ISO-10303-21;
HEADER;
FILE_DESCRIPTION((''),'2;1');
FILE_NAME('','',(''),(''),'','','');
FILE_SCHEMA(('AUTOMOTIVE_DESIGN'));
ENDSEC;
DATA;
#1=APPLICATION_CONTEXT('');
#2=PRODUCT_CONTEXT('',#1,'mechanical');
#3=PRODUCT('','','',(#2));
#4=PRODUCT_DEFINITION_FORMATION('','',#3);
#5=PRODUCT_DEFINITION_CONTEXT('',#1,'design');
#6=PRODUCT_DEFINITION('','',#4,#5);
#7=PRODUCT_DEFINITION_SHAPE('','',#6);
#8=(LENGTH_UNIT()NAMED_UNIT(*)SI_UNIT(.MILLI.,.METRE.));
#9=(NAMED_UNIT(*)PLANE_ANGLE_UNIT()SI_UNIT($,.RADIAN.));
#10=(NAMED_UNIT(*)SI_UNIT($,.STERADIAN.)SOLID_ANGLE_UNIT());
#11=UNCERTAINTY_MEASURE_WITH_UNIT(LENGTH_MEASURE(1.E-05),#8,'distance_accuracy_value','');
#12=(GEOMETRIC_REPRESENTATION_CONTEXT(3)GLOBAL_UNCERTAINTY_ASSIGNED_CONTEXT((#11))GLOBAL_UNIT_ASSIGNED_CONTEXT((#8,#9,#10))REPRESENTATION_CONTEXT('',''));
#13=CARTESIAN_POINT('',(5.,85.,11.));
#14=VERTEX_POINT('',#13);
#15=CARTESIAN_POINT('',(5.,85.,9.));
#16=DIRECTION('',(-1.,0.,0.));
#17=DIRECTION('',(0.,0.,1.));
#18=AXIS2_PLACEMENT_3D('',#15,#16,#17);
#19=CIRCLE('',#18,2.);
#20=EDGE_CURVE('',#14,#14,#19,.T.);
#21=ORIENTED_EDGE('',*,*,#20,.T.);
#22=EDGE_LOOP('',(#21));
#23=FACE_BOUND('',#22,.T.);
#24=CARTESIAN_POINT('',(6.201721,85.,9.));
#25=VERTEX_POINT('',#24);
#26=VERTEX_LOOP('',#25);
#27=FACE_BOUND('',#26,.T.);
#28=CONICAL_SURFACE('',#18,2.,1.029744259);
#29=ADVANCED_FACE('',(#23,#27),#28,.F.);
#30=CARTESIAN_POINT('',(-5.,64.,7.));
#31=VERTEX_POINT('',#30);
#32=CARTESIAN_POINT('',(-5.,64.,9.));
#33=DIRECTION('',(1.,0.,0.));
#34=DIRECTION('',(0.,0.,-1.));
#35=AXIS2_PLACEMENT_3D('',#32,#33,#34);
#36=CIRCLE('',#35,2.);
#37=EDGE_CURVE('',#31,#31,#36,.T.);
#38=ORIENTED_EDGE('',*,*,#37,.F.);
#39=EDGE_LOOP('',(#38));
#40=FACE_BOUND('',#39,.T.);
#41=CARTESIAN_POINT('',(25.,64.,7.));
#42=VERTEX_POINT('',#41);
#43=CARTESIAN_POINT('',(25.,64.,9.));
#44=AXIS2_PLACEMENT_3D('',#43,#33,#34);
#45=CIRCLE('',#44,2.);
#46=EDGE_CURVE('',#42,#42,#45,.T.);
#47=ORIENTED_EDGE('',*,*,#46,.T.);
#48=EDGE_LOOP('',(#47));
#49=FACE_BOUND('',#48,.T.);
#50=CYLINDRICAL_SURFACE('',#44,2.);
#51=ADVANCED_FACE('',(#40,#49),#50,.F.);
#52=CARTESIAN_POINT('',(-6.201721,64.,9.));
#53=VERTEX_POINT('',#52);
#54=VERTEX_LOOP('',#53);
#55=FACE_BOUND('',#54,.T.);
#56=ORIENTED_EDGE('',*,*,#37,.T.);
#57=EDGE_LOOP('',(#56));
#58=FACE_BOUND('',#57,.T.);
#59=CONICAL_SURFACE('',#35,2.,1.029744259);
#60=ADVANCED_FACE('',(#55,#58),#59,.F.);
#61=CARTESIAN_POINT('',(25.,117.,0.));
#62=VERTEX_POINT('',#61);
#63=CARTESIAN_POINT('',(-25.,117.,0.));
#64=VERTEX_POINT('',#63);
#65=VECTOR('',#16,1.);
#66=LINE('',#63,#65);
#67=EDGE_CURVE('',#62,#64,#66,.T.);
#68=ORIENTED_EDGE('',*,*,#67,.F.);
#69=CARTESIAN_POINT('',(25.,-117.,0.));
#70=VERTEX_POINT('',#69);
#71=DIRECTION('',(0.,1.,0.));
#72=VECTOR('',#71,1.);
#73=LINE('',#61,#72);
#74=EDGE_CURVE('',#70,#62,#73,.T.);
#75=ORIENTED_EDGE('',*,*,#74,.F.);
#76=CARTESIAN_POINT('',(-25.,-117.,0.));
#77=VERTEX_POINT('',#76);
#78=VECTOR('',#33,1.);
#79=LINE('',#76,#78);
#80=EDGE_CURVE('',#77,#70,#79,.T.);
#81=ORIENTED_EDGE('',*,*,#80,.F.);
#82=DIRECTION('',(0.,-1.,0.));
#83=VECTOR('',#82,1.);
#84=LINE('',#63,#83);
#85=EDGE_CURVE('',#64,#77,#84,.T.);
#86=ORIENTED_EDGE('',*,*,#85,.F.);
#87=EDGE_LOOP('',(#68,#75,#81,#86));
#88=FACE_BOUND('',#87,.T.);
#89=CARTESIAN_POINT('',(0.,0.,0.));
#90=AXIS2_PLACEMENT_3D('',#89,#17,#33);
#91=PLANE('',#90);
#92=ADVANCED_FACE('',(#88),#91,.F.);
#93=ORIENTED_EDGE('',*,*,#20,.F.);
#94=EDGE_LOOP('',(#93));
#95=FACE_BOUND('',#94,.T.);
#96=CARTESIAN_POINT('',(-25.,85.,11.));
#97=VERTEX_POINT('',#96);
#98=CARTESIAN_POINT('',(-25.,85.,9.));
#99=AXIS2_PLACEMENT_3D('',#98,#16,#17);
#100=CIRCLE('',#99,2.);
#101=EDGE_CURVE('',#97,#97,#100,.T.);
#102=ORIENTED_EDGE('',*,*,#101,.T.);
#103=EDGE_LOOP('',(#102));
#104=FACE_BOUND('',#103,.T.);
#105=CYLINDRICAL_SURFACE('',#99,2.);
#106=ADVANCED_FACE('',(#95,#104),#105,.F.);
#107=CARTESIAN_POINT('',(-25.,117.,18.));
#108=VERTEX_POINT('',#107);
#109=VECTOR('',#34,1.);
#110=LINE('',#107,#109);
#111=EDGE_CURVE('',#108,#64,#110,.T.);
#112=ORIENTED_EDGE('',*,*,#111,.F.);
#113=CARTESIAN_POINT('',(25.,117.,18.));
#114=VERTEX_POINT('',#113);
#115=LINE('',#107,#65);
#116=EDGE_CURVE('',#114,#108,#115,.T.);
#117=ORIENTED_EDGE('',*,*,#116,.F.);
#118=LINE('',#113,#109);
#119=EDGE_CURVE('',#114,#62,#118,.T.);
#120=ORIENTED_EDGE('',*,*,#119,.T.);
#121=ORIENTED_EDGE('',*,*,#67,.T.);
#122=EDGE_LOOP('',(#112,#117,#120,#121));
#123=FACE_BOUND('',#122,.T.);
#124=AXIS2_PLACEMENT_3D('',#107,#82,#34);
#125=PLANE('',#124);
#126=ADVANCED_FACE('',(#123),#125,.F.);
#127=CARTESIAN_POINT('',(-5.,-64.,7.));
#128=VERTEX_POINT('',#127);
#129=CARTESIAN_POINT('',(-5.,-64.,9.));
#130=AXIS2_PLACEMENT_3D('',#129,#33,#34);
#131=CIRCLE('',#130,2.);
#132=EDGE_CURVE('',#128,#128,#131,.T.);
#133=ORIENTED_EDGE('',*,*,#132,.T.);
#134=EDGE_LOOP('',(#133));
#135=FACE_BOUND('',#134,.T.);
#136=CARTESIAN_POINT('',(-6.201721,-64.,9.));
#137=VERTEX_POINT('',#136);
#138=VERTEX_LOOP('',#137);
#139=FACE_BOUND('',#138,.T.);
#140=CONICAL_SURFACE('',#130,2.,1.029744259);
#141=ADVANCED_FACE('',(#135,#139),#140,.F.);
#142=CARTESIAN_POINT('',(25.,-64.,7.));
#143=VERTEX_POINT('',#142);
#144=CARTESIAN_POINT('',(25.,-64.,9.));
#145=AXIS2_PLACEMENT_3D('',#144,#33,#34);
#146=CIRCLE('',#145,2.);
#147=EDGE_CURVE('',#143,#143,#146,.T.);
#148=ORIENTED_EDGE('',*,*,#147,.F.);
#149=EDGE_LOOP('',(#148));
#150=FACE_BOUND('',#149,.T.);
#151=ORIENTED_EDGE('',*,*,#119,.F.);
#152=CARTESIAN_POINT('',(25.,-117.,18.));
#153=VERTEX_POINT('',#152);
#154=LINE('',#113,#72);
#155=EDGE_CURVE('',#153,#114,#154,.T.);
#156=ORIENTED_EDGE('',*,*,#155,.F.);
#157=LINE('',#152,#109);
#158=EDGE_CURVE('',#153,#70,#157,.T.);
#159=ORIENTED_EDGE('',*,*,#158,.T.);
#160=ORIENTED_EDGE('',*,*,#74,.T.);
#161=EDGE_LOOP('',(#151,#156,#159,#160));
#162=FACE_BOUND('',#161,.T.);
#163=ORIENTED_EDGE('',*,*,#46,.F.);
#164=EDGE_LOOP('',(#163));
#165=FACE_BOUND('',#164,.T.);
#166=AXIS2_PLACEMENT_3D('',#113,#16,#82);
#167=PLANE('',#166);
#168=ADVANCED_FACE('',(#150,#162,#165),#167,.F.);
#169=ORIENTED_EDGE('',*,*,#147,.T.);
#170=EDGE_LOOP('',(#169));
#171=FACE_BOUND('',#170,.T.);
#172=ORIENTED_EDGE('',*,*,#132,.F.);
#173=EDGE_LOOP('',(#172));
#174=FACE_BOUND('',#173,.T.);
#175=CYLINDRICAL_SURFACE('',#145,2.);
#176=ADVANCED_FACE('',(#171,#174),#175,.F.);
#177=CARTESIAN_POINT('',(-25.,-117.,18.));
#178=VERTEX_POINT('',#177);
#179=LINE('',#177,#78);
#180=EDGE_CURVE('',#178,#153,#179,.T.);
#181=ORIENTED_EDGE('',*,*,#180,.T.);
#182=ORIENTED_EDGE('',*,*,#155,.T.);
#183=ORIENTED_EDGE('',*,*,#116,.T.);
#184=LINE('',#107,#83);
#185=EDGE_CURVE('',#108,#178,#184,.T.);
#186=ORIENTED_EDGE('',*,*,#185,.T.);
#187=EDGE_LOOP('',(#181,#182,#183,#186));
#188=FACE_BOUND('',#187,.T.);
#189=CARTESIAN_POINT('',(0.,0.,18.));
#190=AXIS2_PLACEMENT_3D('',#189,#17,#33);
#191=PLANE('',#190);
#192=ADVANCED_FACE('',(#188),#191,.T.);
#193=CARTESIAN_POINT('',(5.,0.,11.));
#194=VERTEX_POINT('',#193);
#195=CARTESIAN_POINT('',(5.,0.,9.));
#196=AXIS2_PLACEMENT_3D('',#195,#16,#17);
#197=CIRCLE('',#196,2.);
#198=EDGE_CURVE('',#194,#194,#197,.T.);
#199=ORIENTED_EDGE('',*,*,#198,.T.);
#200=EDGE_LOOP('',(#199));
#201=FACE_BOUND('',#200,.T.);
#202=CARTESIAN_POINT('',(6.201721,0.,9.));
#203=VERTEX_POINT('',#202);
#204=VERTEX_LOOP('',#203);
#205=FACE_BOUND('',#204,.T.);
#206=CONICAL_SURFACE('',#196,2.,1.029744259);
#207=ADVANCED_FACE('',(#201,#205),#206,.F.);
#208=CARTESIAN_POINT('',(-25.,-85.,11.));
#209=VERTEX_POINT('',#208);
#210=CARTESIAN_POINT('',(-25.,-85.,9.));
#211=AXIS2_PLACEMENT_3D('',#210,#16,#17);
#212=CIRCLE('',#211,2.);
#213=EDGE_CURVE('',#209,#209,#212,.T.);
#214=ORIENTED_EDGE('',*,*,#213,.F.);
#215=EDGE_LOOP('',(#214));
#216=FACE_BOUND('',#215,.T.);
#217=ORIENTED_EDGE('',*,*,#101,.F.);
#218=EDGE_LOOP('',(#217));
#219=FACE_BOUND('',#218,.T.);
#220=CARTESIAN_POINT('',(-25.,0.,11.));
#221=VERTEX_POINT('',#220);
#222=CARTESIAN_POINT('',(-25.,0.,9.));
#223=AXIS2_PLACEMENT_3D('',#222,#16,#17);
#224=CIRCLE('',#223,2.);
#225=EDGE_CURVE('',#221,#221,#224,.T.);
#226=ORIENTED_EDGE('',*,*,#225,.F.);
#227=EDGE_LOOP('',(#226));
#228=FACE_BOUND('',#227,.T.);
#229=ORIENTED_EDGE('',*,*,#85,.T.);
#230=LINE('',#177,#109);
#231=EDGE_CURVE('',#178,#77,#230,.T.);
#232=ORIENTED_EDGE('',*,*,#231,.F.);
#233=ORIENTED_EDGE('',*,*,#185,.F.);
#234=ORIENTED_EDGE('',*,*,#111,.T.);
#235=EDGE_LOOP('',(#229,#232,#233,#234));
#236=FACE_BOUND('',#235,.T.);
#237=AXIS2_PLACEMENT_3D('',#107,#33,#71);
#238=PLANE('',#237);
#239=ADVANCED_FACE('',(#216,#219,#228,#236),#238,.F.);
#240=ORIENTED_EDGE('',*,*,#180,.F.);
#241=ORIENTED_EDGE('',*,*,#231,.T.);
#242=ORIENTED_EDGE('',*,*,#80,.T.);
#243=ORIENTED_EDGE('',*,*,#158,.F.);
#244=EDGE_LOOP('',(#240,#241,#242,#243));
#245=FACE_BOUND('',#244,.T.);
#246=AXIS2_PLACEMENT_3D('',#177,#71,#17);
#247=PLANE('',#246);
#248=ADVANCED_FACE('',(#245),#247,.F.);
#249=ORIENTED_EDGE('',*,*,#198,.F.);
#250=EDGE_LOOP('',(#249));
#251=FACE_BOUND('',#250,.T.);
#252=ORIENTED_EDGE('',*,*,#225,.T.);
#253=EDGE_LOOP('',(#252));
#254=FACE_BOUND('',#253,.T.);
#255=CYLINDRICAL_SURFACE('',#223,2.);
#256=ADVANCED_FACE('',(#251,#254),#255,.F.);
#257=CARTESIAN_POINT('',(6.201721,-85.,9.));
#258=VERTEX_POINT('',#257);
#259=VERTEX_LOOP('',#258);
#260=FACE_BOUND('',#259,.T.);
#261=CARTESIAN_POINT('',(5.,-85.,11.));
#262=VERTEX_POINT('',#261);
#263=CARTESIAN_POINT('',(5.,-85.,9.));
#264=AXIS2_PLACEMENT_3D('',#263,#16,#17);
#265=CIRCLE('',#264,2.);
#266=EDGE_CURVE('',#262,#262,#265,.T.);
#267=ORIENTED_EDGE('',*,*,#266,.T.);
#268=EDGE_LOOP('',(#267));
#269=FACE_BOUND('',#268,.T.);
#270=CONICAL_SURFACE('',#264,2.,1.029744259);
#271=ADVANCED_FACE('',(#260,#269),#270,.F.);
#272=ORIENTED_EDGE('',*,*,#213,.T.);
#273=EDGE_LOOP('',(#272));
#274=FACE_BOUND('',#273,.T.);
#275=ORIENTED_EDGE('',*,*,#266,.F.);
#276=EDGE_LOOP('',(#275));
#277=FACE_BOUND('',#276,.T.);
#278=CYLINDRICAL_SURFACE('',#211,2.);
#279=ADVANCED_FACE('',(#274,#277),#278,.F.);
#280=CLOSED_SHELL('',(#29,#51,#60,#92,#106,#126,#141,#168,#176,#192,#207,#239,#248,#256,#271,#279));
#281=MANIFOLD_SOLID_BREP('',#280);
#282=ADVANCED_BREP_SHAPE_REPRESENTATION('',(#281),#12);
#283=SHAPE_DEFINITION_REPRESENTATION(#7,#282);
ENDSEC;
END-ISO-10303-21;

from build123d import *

# Parameters (mm, degrees)
SKETCH1_W                    = 50
SKETCH1_H                    = 234
BOSS_EXTRUDE1_DEPTH          = 18
F_4_0_4_DIAMETER_HOLE2_D     = 4
F_4_0_4_DIAMETER_HOLE2_DEPTH = 30
F_4_0_4_DIAMETER_HOLE2_TIP   = 1.201721238
F_4_0_4_DIAMETER_HOLE3_D     = 4
F_4_0_4_DIAMETER_HOLE3_DEPTH = 30
F_4_0_4_DIAMETER_HOLE3_TIP   = 1.201721238


with BuildPart() as part:
    # Sketch1 → Boss-Extrude1 (new body)
    with BuildSketch(Plane.XY):
        Rectangle(SKETCH1_W, SKETCH1_H)
    extrude(amount=BOSS_EXTRUDE1_DEPTH)

    # Ø4.0 (4) Diameter Hole2
    with Locations(Plane(origin=(25, 0, 0), x_dir=(0, 0, -1), z_dir=(1, 0, 0))):
        with Locations((-9, 64), (-9, -64)):
            Hole(F_4_0_4_DIAMETER_HOLE2_D / 2, depth=F_4_0_4_DIAMETER_HOLE2_DEPTH)
            with Locations((0, 0, -(F_4_0_4_DIAMETER_HOLE2_DEPTH + F_4_0_4_DIAMETER_HOLE2_TIP / 2))):  # 118° drill point
                Cone(0, F_4_0_4_DIAMETER_HOLE2_D / 2, F_4_0_4_DIAMETER_HOLE2_TIP, mode=Mode.SUBTRACT)

    # Ø4.0 (4) Diameter Hole3
    with Locations(Plane.ZY.offset(25)):
        with Locations((9, 85), (9, 0), (9, -85)):
            Hole(F_4_0_4_DIAMETER_HOLE3_D / 2, depth=F_4_0_4_DIAMETER_HOLE3_DEPTH)
            with Locations((0, 0, -(F_4_0_4_DIAMETER_HOLE3_DEPTH + F_4_0_4_DIAMETER_HOLE3_TIP / 2))):  # 118° drill point
                Cone(0, F_4_0_4_DIAMETER_HOLE3_D / 2, F_4_0_4_DIAMETER_HOLE3_TIP, mode=Mode.SUBTRACT)


solid = part.part
